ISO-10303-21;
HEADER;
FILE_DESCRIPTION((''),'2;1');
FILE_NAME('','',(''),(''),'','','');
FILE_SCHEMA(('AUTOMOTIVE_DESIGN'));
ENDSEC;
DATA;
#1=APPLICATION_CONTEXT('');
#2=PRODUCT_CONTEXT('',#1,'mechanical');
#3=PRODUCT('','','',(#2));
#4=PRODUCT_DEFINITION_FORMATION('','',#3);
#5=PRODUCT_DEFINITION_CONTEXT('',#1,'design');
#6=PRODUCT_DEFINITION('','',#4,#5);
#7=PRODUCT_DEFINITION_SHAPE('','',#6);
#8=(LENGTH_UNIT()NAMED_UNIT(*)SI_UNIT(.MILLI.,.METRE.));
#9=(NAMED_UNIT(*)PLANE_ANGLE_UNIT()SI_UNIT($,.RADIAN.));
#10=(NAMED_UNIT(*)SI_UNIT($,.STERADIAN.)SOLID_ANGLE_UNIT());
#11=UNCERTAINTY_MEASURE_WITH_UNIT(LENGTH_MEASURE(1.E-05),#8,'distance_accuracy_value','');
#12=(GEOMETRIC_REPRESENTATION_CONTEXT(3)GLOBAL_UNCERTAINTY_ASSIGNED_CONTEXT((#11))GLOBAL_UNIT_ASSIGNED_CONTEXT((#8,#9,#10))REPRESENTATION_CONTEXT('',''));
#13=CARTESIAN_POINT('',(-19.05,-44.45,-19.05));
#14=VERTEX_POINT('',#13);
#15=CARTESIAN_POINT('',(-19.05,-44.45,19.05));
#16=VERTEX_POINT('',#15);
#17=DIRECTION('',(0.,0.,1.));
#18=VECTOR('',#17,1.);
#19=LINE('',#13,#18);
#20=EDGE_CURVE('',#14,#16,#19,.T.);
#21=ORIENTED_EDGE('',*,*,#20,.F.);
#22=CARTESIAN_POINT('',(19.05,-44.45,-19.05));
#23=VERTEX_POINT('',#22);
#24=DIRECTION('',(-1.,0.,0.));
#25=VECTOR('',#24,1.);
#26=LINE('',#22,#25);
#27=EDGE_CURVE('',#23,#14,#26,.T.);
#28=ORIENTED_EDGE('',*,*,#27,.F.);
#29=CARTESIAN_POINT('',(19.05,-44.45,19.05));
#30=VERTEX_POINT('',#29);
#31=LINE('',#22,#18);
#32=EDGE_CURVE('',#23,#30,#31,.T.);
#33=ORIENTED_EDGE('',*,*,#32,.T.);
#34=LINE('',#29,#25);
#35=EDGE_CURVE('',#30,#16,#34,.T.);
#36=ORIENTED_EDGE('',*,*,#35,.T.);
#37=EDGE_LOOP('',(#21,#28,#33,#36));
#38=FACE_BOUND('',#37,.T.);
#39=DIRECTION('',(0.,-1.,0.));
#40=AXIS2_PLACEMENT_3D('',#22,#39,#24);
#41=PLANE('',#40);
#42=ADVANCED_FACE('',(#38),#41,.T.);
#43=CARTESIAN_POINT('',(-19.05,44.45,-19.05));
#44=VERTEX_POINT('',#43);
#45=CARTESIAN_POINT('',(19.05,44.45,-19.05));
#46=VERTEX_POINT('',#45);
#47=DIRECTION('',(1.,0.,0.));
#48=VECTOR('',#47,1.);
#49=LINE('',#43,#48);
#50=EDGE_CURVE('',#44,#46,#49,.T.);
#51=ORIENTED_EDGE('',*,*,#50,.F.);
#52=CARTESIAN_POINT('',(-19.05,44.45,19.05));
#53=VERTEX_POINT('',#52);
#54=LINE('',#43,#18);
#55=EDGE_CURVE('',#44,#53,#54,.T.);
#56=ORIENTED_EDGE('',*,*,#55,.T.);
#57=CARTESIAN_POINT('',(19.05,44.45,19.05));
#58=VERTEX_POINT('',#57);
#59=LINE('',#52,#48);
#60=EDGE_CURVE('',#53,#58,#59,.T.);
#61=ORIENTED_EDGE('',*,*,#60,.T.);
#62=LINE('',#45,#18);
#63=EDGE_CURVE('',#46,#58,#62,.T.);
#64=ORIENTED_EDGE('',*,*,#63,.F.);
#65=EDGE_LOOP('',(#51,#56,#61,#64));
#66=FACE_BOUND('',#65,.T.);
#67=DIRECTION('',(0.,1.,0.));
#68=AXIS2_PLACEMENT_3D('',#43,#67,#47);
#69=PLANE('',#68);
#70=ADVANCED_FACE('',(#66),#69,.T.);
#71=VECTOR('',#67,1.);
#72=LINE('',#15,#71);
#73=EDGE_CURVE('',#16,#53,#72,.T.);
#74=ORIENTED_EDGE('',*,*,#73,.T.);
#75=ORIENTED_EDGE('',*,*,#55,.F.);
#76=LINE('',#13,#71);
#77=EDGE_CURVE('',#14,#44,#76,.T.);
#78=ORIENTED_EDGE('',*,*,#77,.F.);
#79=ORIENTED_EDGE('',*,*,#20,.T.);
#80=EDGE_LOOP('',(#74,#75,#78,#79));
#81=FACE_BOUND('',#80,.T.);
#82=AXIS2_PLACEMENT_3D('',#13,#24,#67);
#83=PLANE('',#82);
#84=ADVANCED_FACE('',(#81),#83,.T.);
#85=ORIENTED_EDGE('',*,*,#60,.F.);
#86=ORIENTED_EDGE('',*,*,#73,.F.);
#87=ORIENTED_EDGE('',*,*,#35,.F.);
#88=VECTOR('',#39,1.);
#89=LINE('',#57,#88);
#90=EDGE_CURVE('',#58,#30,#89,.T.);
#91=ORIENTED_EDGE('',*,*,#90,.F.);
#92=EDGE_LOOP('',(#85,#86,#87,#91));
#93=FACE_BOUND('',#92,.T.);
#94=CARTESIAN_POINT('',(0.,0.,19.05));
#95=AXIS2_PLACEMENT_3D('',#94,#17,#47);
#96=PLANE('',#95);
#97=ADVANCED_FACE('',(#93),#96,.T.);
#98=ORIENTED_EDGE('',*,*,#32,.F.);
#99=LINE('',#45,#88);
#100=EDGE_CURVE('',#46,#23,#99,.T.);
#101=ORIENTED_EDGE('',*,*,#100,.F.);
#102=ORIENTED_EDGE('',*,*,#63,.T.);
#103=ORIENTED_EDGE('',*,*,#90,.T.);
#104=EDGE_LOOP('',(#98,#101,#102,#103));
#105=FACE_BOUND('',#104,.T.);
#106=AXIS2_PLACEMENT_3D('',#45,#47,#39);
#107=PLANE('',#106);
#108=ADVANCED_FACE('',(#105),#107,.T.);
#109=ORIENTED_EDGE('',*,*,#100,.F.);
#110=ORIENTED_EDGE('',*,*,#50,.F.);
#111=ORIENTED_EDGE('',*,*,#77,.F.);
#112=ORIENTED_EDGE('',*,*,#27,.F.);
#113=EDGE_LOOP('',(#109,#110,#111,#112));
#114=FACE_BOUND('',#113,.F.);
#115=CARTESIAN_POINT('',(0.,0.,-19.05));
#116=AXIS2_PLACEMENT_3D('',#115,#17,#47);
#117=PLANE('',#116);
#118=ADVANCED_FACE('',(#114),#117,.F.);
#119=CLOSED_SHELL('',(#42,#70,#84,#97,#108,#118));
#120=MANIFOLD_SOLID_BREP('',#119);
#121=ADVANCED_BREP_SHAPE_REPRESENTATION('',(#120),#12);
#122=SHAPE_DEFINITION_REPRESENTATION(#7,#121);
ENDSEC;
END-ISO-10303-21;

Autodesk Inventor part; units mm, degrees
ref_plane "YZ Plane" through (0, 0, 0) normal (1, 0, 0) x (0, 1, 0)
ref_plane "XZ Plane" through (0, 0, 0) normal (0, 1, 0) x (-1, 0, 0)
ref_plane "XY Plane" through (0, 0, 0) normal (0, 0, 1) x (1, 0, 0)
sketch "Sketch1" plane through (0, 0, -19.05) normal (0, 0, 1) x (1, 0, 0)
  line L0 (-19.05, 44.45) -> (19.05, 44.45)
  line L1 (19.05, 44.45) -> (19.05, -44.45)
  line L2 (19.05, -44.45) -> (-19.05, -44.45)
  line L3 (-19.05, -44.45) -> (-19.05, 44.45)
  point P0 (0, 0)
  dimension "d1" = 19.05
  dimension "d2" = 19.05
  dimension "d3" = 44.45
  dimension "d4" = 44.45
extrude "Extrusion1" add sketch "Sketch1" along normal blind 38.1
equation "\"d1\" = -Xmin"
equation "\"d2\" = Xmax"
equation "\"d3\" = -Ymin"
equation "\"d4\" = Ymax"
equation "\"d5\" = Zmax - Zmin"
equation "\"Xmin\" = -19.05"
equation "\"Ymin\" = -44.45"
equation "\"Zmin\" = -19.05"
equation "\"Xmax\" = 19.05"
equation "\"Ymax\" = 44.45"
equation "\"Zmax\" = 19.05"
properties part number "Mold Design1_Part1_WP"
